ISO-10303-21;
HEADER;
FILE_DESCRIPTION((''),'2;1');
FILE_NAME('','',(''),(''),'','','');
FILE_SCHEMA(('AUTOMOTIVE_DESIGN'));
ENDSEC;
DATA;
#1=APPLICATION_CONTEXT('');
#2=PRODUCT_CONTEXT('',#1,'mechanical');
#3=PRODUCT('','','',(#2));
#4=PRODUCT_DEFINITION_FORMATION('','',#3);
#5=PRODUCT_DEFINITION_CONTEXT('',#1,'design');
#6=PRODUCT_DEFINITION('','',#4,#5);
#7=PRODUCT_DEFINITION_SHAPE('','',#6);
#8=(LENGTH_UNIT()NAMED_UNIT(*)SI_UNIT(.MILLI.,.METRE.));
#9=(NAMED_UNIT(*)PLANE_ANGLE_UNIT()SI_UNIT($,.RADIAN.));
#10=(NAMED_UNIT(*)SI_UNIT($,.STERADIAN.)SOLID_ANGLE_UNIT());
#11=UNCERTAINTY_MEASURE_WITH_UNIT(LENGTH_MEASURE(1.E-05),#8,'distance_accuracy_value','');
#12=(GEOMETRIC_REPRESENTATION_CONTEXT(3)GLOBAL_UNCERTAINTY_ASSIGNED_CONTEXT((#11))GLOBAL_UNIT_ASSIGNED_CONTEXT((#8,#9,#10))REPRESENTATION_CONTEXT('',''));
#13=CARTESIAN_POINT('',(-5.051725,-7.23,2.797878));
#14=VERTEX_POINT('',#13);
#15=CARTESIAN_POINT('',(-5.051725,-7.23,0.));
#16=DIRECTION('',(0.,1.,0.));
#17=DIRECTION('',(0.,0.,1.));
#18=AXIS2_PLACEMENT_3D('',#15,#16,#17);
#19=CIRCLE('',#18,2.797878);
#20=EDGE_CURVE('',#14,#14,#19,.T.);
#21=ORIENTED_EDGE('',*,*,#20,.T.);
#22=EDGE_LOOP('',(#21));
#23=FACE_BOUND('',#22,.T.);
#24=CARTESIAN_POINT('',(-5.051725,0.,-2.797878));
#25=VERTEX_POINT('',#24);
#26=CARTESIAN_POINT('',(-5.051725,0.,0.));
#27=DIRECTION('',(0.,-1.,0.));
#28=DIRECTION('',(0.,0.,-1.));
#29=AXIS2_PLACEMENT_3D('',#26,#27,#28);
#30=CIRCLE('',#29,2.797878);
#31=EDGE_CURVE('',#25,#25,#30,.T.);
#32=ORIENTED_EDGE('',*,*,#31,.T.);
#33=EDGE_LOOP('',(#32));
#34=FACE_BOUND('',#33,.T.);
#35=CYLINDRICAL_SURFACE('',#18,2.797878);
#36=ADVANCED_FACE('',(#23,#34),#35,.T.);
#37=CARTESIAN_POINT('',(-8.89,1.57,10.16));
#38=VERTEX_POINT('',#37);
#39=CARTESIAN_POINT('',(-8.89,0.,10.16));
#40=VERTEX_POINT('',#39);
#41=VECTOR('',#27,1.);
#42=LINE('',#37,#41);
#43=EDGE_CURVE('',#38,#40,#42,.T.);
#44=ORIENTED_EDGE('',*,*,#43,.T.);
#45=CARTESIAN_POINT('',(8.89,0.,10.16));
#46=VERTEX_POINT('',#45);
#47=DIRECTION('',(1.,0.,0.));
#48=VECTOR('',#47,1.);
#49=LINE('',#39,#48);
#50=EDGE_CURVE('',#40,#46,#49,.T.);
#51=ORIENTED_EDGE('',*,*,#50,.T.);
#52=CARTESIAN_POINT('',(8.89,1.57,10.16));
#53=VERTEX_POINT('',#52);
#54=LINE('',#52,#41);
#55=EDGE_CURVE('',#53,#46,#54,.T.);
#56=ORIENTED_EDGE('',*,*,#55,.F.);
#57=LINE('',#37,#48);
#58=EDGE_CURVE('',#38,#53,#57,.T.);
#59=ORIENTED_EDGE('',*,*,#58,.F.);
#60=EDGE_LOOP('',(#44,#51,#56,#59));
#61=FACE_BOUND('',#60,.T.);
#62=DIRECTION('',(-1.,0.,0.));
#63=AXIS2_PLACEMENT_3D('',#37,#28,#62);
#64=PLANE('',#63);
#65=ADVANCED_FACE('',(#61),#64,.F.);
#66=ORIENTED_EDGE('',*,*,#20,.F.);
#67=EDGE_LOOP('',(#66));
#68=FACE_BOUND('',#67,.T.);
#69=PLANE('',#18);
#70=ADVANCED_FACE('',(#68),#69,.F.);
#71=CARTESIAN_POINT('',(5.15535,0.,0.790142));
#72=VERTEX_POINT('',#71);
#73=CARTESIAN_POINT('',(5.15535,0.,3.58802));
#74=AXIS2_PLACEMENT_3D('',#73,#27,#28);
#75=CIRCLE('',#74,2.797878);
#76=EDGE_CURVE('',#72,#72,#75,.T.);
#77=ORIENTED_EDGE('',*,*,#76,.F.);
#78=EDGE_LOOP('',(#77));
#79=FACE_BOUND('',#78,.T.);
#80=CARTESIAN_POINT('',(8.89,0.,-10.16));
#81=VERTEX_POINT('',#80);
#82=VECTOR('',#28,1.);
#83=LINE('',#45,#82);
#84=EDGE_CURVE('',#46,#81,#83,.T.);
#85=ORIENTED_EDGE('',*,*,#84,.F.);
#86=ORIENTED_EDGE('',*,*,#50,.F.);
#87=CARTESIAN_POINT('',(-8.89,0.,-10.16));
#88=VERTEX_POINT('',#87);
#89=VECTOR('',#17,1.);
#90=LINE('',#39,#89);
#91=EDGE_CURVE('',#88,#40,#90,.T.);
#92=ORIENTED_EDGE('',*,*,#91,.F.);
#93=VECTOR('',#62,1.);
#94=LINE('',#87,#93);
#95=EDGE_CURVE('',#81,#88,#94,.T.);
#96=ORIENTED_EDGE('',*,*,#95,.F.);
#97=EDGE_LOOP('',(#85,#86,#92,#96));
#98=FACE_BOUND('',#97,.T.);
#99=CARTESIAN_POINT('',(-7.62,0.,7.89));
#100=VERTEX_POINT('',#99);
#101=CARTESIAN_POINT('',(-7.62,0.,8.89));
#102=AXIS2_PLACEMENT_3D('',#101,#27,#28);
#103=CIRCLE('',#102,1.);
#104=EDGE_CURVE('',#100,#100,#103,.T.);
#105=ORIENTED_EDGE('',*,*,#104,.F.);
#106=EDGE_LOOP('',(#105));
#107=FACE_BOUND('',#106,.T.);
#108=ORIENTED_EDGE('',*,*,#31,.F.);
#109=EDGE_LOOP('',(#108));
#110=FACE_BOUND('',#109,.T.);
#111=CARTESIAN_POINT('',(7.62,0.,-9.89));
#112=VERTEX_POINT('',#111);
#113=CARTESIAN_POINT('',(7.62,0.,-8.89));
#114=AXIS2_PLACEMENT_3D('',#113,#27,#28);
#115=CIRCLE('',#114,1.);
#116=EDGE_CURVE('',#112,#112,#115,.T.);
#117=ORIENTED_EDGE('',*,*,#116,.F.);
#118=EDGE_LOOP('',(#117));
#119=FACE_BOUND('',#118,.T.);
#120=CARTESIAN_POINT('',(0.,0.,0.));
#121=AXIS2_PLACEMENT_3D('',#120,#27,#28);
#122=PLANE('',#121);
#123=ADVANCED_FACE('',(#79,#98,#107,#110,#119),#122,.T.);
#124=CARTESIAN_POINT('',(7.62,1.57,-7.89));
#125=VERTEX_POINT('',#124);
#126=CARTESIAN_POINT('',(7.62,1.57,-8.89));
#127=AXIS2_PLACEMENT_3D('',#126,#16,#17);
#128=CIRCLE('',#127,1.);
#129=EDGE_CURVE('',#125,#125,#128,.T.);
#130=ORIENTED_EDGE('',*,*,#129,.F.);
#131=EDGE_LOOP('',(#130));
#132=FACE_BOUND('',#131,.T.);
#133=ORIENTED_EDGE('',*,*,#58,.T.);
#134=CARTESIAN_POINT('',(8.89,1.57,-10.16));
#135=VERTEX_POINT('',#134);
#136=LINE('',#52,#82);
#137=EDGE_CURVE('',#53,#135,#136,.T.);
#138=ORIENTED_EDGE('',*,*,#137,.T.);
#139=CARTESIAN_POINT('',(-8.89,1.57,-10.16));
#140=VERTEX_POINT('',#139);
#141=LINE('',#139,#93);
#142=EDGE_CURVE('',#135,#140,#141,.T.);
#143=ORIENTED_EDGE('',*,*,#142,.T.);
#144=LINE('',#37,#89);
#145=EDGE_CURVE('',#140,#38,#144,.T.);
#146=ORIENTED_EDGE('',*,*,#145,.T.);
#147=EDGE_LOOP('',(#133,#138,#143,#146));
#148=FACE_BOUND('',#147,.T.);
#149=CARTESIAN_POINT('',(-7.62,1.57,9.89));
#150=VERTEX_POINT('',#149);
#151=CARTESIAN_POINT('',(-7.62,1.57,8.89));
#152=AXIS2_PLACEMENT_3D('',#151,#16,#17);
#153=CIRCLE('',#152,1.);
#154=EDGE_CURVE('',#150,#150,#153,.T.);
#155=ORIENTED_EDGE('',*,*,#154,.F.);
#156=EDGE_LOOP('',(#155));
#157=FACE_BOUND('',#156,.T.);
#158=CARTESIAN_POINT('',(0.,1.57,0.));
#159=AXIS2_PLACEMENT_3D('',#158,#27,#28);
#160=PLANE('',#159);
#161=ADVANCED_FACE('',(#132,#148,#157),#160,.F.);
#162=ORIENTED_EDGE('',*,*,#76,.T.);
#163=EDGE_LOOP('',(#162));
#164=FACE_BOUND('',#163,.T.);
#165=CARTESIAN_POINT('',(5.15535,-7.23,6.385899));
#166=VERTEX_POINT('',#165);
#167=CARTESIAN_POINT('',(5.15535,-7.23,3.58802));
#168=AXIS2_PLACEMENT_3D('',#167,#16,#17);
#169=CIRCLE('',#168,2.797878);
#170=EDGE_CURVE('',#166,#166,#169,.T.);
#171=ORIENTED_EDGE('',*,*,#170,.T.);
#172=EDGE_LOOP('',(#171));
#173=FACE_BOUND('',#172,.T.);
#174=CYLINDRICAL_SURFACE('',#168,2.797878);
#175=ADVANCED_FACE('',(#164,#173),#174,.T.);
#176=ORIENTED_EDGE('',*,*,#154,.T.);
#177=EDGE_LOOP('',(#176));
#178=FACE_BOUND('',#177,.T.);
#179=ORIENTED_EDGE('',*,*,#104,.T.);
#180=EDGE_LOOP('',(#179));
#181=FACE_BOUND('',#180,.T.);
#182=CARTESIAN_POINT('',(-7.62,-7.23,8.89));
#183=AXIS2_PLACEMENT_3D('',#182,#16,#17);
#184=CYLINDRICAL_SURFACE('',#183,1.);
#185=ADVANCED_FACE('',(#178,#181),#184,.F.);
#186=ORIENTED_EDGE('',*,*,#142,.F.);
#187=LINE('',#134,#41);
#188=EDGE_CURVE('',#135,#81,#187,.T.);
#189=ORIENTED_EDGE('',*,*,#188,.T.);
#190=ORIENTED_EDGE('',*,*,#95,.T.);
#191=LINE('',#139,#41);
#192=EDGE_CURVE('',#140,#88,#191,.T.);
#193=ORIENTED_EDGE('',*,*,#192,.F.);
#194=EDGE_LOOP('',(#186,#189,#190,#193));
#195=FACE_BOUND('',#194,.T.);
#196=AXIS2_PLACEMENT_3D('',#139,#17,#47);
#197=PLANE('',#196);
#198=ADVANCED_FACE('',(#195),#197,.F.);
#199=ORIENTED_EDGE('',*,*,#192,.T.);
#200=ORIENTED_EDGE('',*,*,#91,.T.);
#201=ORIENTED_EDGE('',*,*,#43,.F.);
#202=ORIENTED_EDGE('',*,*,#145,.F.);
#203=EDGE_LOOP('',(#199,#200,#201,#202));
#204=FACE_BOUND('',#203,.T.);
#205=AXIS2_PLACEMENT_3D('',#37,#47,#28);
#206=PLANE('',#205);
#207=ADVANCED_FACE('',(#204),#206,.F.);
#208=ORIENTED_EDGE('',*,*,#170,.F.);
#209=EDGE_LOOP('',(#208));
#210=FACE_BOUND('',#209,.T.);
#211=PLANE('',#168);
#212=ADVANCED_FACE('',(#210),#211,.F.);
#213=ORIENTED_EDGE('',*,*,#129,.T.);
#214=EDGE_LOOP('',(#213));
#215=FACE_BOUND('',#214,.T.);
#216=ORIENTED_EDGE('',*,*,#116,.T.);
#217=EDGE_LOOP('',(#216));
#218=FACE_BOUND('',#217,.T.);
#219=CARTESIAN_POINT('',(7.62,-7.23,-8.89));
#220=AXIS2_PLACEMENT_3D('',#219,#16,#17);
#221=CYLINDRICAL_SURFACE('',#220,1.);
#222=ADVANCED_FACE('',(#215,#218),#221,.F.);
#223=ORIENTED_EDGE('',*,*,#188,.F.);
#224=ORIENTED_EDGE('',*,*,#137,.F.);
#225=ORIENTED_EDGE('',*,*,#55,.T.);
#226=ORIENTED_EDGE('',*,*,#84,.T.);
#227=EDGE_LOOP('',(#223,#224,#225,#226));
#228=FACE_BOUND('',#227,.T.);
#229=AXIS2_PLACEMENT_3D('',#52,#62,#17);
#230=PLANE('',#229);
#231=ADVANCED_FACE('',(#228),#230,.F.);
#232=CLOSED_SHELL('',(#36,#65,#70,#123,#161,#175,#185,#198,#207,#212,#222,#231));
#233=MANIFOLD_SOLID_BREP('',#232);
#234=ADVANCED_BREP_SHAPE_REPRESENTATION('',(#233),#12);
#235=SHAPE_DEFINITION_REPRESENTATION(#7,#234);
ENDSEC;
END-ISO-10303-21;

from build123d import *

# Parameters (mm, degrees)
SKETCH1_W           = 17.78
SKETCH1_H           = 20.32
BOSS_EXTRUDE1_DEPTH = 1.57
SKETCH2_R           = 2.797878481
BOSS_EXTRUDE2_DEPTH = 8.8
SKETCH3_R           = 1
CUT_EXTRUDE1_DEPTH  = 17.115138845


with BuildPart() as part:
    # Sketch1 → Boss-Extrude1 (new body)
    with BuildSketch(Plane(origin=(0, 0, 0), x_dir=(1, 0, 0), z_dir=(0, 1, 0))):
        Rectangle(SKETCH1_W, SKETCH1_H)
    extrude(amount=BOSS_EXTRUDE1_DEPTH)

    # Sketch2 → Boss-Extrude2 (add)
    with BuildSketch(Plane(origin=(0, 1.57, 0), x_dir=(1, 0, 0), z_dir=(0, 1, 0))):
        with Locations(Location((5.155350165, -3.588020089, 0), (0, 0, 270))):
            Circle(SKETCH2_R)
        with Locations(Location((-5.051725036, 0, 0), (0, 0, 270))):
            Circle(SKETCH2_R)
    extrude(amount=-BOSS_EXTRUDE2_DEPTH)

    # Sketch3 → Cut-Extrude1 (cut, through all)
    with BuildSketch(Plane(origin=(0, 1.57, 0), x_dir=(1, 0, 0), z_dir=(0, 1, 0))):
        with Locations(Location((-7.62, -8.89, 0), (0, 0, 270))):
            Circle(SKETCH3_R)
        with Locations(Location((7.62, 8.89, 0), (0, 0, 270))):
            Circle(SKETCH3_R)
    extrude(amount=-CUT_EXTRUDE1_DEPTH, mode=Mode.SUBTRACT)


solid = part.part
